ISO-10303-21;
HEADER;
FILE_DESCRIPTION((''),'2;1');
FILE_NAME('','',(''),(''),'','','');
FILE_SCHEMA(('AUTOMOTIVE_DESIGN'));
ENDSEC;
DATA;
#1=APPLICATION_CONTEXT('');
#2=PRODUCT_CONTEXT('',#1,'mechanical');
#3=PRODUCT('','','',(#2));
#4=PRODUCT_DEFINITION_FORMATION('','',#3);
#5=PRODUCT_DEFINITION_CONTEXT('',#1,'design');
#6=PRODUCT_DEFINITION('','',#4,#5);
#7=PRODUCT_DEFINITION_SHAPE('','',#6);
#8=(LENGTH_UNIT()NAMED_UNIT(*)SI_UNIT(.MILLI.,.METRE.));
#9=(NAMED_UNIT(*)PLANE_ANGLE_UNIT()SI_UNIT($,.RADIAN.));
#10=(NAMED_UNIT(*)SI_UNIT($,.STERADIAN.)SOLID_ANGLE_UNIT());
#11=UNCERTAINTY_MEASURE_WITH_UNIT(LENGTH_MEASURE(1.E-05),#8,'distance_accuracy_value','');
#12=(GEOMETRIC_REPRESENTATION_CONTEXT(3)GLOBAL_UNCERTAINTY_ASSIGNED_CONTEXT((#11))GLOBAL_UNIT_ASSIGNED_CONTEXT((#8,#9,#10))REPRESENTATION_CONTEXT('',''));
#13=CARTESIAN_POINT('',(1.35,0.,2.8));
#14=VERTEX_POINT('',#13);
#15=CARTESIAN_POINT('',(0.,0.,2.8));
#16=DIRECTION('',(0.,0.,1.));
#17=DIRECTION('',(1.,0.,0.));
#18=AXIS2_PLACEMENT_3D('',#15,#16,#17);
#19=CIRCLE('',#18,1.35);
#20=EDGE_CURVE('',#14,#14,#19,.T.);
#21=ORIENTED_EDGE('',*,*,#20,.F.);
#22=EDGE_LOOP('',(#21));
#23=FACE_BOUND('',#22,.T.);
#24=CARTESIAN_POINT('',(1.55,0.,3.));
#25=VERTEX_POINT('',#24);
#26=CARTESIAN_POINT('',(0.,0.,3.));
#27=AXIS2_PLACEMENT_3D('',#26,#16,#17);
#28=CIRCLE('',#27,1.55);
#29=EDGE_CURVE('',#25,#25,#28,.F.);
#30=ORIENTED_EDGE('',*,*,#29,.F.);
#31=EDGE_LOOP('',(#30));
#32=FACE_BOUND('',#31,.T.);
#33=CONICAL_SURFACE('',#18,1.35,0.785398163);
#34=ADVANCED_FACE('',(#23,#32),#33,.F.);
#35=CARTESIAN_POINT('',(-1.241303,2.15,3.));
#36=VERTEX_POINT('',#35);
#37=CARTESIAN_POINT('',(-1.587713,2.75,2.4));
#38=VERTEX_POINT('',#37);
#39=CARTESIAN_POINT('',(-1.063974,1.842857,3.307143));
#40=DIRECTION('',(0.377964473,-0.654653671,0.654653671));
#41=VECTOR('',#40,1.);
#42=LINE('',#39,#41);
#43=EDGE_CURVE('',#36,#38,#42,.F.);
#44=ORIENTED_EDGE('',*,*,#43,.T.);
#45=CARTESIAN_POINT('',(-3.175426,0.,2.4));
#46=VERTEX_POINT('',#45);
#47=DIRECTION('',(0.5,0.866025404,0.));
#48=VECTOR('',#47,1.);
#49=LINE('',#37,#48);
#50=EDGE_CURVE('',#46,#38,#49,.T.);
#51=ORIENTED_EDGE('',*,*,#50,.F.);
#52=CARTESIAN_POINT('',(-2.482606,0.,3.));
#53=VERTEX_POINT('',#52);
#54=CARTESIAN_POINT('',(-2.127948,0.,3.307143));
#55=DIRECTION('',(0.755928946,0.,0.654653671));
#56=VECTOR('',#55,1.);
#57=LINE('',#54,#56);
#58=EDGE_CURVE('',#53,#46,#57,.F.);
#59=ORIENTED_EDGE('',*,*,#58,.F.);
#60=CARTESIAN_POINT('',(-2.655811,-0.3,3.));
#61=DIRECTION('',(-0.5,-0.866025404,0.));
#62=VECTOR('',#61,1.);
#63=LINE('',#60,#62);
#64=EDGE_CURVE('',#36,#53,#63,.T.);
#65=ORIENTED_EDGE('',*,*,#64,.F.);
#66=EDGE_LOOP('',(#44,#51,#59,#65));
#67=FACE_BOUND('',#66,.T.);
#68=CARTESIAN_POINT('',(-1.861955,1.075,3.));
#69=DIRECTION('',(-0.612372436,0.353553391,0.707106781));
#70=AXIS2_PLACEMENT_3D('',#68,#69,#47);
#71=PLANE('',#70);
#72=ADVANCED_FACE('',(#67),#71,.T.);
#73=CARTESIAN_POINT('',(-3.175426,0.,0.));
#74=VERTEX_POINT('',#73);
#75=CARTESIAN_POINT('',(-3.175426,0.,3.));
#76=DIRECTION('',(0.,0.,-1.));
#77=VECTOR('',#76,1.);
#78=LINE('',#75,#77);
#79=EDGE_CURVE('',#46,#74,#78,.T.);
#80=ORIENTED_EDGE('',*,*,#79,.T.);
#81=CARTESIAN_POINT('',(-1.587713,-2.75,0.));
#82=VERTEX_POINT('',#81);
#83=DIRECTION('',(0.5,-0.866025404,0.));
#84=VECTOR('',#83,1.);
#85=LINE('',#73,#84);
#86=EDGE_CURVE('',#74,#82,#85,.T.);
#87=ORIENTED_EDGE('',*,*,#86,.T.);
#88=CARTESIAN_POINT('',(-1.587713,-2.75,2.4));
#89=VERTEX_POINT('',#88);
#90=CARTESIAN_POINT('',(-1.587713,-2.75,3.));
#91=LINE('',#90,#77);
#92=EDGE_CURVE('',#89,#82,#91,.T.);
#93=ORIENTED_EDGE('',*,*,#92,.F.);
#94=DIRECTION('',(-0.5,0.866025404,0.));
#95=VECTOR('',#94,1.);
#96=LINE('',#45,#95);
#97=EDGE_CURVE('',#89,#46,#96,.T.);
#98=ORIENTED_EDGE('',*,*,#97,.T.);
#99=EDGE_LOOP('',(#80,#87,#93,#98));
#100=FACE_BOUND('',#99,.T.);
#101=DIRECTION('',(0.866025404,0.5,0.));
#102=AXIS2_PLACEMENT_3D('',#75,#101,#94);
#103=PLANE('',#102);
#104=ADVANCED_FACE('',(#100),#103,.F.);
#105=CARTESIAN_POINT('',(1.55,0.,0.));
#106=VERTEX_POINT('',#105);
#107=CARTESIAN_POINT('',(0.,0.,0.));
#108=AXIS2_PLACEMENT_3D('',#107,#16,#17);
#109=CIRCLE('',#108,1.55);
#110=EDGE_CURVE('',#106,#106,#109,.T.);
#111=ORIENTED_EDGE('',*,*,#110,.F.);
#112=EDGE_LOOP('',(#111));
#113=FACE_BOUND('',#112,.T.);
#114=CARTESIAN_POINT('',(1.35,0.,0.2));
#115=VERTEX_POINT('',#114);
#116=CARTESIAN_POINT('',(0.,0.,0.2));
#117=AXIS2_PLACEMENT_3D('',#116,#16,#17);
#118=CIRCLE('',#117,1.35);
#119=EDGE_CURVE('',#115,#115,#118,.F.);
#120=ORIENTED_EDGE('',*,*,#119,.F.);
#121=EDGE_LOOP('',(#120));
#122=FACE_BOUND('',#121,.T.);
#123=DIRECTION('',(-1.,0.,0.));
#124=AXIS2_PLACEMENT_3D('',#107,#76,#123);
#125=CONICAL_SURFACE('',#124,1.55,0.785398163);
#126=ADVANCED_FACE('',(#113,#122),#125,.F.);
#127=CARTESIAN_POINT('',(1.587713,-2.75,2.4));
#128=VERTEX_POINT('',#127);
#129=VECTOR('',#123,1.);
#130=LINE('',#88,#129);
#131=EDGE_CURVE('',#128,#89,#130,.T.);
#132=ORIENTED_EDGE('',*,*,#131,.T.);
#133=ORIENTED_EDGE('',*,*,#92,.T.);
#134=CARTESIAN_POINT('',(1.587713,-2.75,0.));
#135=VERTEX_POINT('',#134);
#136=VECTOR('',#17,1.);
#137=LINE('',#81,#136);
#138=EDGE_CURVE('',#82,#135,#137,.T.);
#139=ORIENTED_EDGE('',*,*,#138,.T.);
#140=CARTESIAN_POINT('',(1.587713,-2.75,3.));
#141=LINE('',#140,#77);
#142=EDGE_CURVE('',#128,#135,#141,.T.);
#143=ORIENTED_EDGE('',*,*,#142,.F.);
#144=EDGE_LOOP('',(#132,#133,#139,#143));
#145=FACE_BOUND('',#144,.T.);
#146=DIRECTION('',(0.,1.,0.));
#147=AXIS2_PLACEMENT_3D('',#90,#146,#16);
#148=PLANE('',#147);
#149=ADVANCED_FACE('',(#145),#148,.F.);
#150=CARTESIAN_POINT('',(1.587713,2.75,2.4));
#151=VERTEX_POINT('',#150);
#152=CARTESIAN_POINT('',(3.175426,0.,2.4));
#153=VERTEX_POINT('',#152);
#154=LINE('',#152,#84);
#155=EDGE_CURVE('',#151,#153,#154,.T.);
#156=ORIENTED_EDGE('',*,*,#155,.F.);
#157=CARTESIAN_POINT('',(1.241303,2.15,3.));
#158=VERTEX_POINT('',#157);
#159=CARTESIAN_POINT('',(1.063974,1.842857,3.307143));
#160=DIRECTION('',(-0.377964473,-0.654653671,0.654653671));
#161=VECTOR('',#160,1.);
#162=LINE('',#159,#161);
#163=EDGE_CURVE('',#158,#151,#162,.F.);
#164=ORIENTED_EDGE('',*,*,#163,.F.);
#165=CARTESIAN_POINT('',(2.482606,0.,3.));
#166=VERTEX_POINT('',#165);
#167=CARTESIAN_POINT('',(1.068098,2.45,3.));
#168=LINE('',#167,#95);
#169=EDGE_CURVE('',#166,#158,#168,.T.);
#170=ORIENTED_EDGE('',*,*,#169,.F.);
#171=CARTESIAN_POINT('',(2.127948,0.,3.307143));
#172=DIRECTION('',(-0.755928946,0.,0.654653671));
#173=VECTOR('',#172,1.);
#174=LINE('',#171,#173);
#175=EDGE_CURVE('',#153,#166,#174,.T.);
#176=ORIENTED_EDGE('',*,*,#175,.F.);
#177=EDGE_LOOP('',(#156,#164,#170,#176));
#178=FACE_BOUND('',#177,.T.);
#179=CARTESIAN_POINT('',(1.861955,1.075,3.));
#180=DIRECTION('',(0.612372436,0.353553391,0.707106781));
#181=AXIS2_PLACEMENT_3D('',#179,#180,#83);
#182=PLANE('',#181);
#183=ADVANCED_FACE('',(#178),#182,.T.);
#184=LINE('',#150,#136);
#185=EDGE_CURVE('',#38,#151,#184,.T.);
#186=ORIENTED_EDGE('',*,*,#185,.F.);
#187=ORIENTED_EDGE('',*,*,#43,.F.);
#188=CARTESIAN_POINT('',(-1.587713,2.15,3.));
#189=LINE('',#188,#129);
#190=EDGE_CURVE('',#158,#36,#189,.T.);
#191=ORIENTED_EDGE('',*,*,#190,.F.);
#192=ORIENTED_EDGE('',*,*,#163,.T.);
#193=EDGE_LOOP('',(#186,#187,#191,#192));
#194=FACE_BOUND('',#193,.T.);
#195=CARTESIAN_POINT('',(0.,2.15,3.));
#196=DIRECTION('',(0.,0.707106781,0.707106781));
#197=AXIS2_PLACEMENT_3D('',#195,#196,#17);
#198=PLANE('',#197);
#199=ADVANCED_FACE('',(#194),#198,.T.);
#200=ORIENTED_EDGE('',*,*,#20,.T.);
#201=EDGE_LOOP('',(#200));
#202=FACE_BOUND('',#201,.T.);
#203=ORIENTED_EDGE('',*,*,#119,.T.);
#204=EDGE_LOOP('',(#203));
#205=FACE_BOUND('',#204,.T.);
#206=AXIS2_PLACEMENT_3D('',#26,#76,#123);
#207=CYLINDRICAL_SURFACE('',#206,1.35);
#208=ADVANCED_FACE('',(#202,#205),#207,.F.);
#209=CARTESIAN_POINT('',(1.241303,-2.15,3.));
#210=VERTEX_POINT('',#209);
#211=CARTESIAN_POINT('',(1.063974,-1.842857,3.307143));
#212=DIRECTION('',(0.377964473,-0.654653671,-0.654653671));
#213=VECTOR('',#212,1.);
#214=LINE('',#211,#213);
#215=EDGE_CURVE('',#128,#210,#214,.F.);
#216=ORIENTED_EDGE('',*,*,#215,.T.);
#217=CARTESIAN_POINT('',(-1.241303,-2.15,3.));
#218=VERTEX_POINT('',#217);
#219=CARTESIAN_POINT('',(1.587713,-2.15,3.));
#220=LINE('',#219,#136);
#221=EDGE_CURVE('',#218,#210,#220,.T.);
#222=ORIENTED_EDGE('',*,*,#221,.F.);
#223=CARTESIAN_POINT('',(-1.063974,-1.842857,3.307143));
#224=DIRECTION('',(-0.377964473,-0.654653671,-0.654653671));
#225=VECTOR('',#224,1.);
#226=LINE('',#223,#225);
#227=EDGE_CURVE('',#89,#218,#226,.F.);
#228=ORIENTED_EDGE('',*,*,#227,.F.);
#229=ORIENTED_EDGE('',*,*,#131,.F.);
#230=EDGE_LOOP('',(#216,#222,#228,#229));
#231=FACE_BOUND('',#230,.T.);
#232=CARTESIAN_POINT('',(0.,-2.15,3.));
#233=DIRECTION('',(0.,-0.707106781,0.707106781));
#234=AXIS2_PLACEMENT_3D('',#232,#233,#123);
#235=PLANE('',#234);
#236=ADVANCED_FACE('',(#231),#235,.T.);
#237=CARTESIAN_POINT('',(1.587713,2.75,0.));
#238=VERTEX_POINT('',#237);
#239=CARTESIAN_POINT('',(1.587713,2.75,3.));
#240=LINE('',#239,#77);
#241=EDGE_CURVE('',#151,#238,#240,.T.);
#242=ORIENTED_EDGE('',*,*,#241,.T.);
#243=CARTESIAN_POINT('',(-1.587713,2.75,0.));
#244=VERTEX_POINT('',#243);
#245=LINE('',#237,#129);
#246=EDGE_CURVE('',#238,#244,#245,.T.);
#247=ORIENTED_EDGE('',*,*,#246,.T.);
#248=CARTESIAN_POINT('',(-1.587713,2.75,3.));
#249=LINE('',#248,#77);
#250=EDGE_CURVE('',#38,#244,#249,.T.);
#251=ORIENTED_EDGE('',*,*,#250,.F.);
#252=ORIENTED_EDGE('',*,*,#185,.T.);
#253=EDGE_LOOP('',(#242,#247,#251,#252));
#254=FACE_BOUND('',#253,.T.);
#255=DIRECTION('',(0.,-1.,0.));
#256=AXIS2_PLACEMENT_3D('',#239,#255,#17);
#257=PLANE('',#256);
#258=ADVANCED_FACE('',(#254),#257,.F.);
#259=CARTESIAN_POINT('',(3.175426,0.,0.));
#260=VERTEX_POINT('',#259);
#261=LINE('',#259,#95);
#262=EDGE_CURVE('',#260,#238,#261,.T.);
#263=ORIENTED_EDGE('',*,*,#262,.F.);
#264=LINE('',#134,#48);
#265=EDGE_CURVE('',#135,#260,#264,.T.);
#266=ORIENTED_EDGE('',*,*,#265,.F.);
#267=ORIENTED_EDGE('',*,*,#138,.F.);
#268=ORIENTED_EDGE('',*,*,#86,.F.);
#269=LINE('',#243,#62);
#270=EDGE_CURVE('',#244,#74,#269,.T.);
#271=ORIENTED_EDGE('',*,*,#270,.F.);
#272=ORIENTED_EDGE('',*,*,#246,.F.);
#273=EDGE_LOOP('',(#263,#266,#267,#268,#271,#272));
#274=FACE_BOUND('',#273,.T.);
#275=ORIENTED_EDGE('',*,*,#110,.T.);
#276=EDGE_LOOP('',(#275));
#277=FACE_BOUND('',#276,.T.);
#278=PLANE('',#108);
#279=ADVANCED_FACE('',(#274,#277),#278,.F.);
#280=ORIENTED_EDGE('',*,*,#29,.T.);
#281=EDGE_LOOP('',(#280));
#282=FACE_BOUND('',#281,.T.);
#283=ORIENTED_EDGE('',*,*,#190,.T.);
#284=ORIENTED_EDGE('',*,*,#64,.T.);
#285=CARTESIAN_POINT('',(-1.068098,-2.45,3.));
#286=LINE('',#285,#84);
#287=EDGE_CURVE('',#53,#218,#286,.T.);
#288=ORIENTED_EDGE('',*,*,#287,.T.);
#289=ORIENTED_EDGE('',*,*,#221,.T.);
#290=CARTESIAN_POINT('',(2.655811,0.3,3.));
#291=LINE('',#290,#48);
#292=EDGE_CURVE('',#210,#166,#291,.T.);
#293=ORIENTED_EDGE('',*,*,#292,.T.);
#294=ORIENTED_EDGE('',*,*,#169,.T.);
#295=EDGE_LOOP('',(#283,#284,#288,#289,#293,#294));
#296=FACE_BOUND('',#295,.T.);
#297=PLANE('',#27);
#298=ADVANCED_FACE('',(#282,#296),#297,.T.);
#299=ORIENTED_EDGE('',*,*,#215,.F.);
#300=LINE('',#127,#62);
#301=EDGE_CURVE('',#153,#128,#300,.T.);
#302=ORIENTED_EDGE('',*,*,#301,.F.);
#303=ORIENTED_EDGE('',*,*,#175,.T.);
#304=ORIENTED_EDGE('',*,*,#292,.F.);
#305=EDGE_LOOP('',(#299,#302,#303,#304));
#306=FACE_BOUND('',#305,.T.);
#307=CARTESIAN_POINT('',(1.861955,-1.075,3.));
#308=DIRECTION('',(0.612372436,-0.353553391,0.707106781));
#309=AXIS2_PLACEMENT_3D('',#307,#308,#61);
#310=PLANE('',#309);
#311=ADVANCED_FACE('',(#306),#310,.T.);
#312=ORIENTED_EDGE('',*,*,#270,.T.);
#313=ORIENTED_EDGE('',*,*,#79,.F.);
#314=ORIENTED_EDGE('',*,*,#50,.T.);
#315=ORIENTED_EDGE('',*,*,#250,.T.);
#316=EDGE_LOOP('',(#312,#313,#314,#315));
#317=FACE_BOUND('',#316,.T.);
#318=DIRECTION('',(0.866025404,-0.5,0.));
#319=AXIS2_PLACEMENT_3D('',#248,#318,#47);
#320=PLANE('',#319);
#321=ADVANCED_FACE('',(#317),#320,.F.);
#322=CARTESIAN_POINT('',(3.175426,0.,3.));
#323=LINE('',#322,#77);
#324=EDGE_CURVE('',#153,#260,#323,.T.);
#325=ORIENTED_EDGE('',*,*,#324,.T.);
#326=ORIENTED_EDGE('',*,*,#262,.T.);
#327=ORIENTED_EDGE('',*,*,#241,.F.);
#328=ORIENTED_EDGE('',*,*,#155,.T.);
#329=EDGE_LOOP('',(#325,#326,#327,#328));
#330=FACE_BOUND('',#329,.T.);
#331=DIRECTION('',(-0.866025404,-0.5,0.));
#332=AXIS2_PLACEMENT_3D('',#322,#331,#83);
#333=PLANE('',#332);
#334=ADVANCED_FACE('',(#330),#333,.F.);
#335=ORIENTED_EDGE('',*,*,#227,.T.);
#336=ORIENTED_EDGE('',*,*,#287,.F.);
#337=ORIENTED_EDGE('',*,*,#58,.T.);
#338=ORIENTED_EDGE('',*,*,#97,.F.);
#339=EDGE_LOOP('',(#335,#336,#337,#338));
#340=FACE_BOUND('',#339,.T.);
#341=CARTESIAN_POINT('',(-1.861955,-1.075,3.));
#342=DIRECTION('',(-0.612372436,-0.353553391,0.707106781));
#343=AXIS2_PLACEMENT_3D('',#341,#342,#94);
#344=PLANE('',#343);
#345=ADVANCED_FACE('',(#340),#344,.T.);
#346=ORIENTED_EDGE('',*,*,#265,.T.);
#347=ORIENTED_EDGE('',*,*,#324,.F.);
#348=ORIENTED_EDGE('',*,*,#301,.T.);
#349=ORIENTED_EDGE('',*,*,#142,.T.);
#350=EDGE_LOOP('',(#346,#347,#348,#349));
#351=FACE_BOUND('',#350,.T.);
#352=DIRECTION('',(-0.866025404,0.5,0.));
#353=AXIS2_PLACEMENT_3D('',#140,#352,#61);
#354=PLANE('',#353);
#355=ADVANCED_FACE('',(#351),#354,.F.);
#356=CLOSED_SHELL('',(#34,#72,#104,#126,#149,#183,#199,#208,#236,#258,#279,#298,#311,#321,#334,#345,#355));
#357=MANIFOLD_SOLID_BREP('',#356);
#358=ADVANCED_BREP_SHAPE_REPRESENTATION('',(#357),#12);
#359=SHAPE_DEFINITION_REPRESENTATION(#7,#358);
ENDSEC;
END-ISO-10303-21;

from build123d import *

# Parameters (mm, degrees)
SKETCH_1_R      = 1.35
EXTRUDE_1_DEPTH = 3
CHAMFER_1_SIZE  = 0.6
CHAMFER_2_SIZE  = 0.2


with BuildPart() as part:
    # ｽｹｯﾁ1 → ﾎﾞｽ - 押し出し1 (new body)
    with BuildSketch(Plane.XY):
        Polygon((3.175426481, 0), (1.58771324, 2.75), (-1.58771324, 2.75), (-3.175426481, 0), (-1.58771324, -2.75), (1.58771324, -2.75), align=None)
        Circle(SKETCH_1_R, mode=Mode.SUBTRACT)
    extrude(amount=EXTRUDE_1_DEPTH)

    # 面取り1
    chamfer_1_edges = [part.edges().sort_by_distance(p)[0] for p in [
        (0, 2.75, 3),
        (-2.38156986, 1.375, 3),
        (-2.38156986, -1.375, 3),
        (0, -2.75, 3),
        (2.38156986, -1.375, 3),
        (2.38156986, 1.375, 3),
    ]]
    chamfer(chamfer_1_edges, length=CHAMFER_1_SIZE)

    # 面取り2
    chamfer_2_edges = [part.edges().sort_by_distance(p)[0] for p in [
        (-1.35, 0, 0),
        (-1.35, 0, 3),
    ]]
    chamfer(chamfer_2_edges, length=CHAMFER_2_SIZE)


solid = part.part
